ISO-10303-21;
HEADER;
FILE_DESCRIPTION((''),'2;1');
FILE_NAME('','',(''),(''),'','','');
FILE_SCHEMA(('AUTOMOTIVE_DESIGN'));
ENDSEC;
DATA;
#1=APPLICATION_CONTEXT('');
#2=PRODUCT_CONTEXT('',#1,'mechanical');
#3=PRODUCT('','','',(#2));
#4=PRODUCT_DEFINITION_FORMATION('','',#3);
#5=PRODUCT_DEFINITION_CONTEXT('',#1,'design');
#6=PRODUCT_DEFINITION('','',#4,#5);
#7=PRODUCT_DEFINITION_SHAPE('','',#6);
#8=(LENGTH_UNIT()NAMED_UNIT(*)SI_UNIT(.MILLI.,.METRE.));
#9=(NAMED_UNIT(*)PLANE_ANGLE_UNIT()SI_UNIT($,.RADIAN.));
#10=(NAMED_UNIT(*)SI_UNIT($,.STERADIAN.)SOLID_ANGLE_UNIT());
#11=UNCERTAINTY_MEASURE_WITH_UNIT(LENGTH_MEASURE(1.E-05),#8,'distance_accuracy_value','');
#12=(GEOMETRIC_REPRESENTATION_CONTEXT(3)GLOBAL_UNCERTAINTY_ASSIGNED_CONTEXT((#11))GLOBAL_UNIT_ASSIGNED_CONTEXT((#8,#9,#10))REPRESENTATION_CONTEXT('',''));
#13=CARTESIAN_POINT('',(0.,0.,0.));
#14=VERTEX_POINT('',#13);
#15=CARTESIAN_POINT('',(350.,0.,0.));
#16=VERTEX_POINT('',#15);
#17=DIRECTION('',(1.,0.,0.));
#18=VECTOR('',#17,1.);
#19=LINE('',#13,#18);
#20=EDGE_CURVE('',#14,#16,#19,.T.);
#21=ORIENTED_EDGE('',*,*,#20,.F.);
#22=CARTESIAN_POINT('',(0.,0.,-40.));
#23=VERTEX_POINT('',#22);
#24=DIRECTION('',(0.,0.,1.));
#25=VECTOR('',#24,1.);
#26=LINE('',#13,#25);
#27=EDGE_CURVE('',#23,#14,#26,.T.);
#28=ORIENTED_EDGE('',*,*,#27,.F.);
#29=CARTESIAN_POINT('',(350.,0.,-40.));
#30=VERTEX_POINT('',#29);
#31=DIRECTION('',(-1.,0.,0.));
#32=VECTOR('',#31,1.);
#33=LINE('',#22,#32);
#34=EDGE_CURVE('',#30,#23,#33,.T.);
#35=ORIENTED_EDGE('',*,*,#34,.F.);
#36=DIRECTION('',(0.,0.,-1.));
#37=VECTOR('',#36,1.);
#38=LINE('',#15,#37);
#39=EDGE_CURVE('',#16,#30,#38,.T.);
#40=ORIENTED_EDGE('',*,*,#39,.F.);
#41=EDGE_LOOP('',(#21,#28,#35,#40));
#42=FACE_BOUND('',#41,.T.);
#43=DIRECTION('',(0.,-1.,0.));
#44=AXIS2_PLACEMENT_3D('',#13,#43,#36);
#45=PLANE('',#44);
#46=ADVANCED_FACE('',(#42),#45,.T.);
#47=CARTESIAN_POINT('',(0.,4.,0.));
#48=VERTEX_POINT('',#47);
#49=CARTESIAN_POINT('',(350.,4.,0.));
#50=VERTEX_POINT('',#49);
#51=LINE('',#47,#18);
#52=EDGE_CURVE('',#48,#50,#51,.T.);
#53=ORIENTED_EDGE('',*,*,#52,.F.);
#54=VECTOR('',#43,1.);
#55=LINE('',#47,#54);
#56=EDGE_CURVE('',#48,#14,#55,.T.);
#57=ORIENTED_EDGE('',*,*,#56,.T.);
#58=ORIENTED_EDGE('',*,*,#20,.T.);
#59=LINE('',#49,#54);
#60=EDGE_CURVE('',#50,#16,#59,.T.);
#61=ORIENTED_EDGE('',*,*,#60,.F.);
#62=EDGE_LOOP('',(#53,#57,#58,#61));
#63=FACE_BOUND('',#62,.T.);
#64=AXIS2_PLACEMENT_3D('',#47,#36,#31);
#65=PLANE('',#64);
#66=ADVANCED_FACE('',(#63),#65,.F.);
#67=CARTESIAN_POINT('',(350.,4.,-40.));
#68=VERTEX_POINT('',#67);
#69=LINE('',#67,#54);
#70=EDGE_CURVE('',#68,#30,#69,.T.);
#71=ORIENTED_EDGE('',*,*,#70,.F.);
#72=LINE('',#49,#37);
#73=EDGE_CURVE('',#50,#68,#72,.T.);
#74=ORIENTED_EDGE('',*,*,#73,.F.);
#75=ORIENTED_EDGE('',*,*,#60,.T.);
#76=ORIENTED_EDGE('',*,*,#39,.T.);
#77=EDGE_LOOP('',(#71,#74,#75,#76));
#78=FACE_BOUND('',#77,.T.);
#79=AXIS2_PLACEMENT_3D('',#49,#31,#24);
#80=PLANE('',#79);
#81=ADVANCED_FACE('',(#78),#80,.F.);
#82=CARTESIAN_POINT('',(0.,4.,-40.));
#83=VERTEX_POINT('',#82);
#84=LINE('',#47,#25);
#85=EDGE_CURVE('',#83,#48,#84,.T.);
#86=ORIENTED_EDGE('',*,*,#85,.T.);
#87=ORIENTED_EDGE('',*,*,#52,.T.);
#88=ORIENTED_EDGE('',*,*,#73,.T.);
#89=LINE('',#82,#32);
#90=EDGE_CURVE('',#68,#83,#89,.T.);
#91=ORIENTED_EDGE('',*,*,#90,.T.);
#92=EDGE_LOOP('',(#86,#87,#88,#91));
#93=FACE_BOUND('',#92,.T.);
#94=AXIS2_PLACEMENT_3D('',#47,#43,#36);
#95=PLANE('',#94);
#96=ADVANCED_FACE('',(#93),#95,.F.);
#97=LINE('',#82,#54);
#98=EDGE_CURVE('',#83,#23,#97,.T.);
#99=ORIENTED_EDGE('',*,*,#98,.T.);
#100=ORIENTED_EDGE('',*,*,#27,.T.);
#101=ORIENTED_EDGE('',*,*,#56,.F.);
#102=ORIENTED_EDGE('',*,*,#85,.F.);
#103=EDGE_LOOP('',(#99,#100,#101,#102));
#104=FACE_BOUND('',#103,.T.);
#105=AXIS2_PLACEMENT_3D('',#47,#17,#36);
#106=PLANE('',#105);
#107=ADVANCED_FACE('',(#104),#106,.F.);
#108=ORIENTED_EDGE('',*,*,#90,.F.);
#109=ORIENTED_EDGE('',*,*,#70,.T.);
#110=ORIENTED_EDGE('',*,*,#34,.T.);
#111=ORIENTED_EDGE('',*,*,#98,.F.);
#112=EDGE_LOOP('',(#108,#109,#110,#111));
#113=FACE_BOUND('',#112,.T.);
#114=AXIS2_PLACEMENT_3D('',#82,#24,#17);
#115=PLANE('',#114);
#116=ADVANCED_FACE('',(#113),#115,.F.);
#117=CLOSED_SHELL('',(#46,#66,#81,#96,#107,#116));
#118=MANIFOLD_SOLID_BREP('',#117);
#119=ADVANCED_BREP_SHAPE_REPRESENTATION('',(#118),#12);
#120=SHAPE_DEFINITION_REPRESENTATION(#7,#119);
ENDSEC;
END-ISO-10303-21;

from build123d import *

# Parameters (mm, degrees)
SKETCH_1_W      = 350
SKETCH_1_H      = 40
EXTRUDE_1_DEPTH = 4


with BuildPart() as part:
    # Эскиз1 → Бобышка-Вытянуть1 (new body)
    with BuildSketch(Plane(origin=(0, 0, 0), x_dir=(1, 0, 0), z_dir=(0, 1, 0))):
        with Locations((175, 20)):
            Rectangle(SKETCH_1_W, SKETCH_1_H)
    extrude(amount=EXTRUDE_1_DEPTH)


solid = part.part
